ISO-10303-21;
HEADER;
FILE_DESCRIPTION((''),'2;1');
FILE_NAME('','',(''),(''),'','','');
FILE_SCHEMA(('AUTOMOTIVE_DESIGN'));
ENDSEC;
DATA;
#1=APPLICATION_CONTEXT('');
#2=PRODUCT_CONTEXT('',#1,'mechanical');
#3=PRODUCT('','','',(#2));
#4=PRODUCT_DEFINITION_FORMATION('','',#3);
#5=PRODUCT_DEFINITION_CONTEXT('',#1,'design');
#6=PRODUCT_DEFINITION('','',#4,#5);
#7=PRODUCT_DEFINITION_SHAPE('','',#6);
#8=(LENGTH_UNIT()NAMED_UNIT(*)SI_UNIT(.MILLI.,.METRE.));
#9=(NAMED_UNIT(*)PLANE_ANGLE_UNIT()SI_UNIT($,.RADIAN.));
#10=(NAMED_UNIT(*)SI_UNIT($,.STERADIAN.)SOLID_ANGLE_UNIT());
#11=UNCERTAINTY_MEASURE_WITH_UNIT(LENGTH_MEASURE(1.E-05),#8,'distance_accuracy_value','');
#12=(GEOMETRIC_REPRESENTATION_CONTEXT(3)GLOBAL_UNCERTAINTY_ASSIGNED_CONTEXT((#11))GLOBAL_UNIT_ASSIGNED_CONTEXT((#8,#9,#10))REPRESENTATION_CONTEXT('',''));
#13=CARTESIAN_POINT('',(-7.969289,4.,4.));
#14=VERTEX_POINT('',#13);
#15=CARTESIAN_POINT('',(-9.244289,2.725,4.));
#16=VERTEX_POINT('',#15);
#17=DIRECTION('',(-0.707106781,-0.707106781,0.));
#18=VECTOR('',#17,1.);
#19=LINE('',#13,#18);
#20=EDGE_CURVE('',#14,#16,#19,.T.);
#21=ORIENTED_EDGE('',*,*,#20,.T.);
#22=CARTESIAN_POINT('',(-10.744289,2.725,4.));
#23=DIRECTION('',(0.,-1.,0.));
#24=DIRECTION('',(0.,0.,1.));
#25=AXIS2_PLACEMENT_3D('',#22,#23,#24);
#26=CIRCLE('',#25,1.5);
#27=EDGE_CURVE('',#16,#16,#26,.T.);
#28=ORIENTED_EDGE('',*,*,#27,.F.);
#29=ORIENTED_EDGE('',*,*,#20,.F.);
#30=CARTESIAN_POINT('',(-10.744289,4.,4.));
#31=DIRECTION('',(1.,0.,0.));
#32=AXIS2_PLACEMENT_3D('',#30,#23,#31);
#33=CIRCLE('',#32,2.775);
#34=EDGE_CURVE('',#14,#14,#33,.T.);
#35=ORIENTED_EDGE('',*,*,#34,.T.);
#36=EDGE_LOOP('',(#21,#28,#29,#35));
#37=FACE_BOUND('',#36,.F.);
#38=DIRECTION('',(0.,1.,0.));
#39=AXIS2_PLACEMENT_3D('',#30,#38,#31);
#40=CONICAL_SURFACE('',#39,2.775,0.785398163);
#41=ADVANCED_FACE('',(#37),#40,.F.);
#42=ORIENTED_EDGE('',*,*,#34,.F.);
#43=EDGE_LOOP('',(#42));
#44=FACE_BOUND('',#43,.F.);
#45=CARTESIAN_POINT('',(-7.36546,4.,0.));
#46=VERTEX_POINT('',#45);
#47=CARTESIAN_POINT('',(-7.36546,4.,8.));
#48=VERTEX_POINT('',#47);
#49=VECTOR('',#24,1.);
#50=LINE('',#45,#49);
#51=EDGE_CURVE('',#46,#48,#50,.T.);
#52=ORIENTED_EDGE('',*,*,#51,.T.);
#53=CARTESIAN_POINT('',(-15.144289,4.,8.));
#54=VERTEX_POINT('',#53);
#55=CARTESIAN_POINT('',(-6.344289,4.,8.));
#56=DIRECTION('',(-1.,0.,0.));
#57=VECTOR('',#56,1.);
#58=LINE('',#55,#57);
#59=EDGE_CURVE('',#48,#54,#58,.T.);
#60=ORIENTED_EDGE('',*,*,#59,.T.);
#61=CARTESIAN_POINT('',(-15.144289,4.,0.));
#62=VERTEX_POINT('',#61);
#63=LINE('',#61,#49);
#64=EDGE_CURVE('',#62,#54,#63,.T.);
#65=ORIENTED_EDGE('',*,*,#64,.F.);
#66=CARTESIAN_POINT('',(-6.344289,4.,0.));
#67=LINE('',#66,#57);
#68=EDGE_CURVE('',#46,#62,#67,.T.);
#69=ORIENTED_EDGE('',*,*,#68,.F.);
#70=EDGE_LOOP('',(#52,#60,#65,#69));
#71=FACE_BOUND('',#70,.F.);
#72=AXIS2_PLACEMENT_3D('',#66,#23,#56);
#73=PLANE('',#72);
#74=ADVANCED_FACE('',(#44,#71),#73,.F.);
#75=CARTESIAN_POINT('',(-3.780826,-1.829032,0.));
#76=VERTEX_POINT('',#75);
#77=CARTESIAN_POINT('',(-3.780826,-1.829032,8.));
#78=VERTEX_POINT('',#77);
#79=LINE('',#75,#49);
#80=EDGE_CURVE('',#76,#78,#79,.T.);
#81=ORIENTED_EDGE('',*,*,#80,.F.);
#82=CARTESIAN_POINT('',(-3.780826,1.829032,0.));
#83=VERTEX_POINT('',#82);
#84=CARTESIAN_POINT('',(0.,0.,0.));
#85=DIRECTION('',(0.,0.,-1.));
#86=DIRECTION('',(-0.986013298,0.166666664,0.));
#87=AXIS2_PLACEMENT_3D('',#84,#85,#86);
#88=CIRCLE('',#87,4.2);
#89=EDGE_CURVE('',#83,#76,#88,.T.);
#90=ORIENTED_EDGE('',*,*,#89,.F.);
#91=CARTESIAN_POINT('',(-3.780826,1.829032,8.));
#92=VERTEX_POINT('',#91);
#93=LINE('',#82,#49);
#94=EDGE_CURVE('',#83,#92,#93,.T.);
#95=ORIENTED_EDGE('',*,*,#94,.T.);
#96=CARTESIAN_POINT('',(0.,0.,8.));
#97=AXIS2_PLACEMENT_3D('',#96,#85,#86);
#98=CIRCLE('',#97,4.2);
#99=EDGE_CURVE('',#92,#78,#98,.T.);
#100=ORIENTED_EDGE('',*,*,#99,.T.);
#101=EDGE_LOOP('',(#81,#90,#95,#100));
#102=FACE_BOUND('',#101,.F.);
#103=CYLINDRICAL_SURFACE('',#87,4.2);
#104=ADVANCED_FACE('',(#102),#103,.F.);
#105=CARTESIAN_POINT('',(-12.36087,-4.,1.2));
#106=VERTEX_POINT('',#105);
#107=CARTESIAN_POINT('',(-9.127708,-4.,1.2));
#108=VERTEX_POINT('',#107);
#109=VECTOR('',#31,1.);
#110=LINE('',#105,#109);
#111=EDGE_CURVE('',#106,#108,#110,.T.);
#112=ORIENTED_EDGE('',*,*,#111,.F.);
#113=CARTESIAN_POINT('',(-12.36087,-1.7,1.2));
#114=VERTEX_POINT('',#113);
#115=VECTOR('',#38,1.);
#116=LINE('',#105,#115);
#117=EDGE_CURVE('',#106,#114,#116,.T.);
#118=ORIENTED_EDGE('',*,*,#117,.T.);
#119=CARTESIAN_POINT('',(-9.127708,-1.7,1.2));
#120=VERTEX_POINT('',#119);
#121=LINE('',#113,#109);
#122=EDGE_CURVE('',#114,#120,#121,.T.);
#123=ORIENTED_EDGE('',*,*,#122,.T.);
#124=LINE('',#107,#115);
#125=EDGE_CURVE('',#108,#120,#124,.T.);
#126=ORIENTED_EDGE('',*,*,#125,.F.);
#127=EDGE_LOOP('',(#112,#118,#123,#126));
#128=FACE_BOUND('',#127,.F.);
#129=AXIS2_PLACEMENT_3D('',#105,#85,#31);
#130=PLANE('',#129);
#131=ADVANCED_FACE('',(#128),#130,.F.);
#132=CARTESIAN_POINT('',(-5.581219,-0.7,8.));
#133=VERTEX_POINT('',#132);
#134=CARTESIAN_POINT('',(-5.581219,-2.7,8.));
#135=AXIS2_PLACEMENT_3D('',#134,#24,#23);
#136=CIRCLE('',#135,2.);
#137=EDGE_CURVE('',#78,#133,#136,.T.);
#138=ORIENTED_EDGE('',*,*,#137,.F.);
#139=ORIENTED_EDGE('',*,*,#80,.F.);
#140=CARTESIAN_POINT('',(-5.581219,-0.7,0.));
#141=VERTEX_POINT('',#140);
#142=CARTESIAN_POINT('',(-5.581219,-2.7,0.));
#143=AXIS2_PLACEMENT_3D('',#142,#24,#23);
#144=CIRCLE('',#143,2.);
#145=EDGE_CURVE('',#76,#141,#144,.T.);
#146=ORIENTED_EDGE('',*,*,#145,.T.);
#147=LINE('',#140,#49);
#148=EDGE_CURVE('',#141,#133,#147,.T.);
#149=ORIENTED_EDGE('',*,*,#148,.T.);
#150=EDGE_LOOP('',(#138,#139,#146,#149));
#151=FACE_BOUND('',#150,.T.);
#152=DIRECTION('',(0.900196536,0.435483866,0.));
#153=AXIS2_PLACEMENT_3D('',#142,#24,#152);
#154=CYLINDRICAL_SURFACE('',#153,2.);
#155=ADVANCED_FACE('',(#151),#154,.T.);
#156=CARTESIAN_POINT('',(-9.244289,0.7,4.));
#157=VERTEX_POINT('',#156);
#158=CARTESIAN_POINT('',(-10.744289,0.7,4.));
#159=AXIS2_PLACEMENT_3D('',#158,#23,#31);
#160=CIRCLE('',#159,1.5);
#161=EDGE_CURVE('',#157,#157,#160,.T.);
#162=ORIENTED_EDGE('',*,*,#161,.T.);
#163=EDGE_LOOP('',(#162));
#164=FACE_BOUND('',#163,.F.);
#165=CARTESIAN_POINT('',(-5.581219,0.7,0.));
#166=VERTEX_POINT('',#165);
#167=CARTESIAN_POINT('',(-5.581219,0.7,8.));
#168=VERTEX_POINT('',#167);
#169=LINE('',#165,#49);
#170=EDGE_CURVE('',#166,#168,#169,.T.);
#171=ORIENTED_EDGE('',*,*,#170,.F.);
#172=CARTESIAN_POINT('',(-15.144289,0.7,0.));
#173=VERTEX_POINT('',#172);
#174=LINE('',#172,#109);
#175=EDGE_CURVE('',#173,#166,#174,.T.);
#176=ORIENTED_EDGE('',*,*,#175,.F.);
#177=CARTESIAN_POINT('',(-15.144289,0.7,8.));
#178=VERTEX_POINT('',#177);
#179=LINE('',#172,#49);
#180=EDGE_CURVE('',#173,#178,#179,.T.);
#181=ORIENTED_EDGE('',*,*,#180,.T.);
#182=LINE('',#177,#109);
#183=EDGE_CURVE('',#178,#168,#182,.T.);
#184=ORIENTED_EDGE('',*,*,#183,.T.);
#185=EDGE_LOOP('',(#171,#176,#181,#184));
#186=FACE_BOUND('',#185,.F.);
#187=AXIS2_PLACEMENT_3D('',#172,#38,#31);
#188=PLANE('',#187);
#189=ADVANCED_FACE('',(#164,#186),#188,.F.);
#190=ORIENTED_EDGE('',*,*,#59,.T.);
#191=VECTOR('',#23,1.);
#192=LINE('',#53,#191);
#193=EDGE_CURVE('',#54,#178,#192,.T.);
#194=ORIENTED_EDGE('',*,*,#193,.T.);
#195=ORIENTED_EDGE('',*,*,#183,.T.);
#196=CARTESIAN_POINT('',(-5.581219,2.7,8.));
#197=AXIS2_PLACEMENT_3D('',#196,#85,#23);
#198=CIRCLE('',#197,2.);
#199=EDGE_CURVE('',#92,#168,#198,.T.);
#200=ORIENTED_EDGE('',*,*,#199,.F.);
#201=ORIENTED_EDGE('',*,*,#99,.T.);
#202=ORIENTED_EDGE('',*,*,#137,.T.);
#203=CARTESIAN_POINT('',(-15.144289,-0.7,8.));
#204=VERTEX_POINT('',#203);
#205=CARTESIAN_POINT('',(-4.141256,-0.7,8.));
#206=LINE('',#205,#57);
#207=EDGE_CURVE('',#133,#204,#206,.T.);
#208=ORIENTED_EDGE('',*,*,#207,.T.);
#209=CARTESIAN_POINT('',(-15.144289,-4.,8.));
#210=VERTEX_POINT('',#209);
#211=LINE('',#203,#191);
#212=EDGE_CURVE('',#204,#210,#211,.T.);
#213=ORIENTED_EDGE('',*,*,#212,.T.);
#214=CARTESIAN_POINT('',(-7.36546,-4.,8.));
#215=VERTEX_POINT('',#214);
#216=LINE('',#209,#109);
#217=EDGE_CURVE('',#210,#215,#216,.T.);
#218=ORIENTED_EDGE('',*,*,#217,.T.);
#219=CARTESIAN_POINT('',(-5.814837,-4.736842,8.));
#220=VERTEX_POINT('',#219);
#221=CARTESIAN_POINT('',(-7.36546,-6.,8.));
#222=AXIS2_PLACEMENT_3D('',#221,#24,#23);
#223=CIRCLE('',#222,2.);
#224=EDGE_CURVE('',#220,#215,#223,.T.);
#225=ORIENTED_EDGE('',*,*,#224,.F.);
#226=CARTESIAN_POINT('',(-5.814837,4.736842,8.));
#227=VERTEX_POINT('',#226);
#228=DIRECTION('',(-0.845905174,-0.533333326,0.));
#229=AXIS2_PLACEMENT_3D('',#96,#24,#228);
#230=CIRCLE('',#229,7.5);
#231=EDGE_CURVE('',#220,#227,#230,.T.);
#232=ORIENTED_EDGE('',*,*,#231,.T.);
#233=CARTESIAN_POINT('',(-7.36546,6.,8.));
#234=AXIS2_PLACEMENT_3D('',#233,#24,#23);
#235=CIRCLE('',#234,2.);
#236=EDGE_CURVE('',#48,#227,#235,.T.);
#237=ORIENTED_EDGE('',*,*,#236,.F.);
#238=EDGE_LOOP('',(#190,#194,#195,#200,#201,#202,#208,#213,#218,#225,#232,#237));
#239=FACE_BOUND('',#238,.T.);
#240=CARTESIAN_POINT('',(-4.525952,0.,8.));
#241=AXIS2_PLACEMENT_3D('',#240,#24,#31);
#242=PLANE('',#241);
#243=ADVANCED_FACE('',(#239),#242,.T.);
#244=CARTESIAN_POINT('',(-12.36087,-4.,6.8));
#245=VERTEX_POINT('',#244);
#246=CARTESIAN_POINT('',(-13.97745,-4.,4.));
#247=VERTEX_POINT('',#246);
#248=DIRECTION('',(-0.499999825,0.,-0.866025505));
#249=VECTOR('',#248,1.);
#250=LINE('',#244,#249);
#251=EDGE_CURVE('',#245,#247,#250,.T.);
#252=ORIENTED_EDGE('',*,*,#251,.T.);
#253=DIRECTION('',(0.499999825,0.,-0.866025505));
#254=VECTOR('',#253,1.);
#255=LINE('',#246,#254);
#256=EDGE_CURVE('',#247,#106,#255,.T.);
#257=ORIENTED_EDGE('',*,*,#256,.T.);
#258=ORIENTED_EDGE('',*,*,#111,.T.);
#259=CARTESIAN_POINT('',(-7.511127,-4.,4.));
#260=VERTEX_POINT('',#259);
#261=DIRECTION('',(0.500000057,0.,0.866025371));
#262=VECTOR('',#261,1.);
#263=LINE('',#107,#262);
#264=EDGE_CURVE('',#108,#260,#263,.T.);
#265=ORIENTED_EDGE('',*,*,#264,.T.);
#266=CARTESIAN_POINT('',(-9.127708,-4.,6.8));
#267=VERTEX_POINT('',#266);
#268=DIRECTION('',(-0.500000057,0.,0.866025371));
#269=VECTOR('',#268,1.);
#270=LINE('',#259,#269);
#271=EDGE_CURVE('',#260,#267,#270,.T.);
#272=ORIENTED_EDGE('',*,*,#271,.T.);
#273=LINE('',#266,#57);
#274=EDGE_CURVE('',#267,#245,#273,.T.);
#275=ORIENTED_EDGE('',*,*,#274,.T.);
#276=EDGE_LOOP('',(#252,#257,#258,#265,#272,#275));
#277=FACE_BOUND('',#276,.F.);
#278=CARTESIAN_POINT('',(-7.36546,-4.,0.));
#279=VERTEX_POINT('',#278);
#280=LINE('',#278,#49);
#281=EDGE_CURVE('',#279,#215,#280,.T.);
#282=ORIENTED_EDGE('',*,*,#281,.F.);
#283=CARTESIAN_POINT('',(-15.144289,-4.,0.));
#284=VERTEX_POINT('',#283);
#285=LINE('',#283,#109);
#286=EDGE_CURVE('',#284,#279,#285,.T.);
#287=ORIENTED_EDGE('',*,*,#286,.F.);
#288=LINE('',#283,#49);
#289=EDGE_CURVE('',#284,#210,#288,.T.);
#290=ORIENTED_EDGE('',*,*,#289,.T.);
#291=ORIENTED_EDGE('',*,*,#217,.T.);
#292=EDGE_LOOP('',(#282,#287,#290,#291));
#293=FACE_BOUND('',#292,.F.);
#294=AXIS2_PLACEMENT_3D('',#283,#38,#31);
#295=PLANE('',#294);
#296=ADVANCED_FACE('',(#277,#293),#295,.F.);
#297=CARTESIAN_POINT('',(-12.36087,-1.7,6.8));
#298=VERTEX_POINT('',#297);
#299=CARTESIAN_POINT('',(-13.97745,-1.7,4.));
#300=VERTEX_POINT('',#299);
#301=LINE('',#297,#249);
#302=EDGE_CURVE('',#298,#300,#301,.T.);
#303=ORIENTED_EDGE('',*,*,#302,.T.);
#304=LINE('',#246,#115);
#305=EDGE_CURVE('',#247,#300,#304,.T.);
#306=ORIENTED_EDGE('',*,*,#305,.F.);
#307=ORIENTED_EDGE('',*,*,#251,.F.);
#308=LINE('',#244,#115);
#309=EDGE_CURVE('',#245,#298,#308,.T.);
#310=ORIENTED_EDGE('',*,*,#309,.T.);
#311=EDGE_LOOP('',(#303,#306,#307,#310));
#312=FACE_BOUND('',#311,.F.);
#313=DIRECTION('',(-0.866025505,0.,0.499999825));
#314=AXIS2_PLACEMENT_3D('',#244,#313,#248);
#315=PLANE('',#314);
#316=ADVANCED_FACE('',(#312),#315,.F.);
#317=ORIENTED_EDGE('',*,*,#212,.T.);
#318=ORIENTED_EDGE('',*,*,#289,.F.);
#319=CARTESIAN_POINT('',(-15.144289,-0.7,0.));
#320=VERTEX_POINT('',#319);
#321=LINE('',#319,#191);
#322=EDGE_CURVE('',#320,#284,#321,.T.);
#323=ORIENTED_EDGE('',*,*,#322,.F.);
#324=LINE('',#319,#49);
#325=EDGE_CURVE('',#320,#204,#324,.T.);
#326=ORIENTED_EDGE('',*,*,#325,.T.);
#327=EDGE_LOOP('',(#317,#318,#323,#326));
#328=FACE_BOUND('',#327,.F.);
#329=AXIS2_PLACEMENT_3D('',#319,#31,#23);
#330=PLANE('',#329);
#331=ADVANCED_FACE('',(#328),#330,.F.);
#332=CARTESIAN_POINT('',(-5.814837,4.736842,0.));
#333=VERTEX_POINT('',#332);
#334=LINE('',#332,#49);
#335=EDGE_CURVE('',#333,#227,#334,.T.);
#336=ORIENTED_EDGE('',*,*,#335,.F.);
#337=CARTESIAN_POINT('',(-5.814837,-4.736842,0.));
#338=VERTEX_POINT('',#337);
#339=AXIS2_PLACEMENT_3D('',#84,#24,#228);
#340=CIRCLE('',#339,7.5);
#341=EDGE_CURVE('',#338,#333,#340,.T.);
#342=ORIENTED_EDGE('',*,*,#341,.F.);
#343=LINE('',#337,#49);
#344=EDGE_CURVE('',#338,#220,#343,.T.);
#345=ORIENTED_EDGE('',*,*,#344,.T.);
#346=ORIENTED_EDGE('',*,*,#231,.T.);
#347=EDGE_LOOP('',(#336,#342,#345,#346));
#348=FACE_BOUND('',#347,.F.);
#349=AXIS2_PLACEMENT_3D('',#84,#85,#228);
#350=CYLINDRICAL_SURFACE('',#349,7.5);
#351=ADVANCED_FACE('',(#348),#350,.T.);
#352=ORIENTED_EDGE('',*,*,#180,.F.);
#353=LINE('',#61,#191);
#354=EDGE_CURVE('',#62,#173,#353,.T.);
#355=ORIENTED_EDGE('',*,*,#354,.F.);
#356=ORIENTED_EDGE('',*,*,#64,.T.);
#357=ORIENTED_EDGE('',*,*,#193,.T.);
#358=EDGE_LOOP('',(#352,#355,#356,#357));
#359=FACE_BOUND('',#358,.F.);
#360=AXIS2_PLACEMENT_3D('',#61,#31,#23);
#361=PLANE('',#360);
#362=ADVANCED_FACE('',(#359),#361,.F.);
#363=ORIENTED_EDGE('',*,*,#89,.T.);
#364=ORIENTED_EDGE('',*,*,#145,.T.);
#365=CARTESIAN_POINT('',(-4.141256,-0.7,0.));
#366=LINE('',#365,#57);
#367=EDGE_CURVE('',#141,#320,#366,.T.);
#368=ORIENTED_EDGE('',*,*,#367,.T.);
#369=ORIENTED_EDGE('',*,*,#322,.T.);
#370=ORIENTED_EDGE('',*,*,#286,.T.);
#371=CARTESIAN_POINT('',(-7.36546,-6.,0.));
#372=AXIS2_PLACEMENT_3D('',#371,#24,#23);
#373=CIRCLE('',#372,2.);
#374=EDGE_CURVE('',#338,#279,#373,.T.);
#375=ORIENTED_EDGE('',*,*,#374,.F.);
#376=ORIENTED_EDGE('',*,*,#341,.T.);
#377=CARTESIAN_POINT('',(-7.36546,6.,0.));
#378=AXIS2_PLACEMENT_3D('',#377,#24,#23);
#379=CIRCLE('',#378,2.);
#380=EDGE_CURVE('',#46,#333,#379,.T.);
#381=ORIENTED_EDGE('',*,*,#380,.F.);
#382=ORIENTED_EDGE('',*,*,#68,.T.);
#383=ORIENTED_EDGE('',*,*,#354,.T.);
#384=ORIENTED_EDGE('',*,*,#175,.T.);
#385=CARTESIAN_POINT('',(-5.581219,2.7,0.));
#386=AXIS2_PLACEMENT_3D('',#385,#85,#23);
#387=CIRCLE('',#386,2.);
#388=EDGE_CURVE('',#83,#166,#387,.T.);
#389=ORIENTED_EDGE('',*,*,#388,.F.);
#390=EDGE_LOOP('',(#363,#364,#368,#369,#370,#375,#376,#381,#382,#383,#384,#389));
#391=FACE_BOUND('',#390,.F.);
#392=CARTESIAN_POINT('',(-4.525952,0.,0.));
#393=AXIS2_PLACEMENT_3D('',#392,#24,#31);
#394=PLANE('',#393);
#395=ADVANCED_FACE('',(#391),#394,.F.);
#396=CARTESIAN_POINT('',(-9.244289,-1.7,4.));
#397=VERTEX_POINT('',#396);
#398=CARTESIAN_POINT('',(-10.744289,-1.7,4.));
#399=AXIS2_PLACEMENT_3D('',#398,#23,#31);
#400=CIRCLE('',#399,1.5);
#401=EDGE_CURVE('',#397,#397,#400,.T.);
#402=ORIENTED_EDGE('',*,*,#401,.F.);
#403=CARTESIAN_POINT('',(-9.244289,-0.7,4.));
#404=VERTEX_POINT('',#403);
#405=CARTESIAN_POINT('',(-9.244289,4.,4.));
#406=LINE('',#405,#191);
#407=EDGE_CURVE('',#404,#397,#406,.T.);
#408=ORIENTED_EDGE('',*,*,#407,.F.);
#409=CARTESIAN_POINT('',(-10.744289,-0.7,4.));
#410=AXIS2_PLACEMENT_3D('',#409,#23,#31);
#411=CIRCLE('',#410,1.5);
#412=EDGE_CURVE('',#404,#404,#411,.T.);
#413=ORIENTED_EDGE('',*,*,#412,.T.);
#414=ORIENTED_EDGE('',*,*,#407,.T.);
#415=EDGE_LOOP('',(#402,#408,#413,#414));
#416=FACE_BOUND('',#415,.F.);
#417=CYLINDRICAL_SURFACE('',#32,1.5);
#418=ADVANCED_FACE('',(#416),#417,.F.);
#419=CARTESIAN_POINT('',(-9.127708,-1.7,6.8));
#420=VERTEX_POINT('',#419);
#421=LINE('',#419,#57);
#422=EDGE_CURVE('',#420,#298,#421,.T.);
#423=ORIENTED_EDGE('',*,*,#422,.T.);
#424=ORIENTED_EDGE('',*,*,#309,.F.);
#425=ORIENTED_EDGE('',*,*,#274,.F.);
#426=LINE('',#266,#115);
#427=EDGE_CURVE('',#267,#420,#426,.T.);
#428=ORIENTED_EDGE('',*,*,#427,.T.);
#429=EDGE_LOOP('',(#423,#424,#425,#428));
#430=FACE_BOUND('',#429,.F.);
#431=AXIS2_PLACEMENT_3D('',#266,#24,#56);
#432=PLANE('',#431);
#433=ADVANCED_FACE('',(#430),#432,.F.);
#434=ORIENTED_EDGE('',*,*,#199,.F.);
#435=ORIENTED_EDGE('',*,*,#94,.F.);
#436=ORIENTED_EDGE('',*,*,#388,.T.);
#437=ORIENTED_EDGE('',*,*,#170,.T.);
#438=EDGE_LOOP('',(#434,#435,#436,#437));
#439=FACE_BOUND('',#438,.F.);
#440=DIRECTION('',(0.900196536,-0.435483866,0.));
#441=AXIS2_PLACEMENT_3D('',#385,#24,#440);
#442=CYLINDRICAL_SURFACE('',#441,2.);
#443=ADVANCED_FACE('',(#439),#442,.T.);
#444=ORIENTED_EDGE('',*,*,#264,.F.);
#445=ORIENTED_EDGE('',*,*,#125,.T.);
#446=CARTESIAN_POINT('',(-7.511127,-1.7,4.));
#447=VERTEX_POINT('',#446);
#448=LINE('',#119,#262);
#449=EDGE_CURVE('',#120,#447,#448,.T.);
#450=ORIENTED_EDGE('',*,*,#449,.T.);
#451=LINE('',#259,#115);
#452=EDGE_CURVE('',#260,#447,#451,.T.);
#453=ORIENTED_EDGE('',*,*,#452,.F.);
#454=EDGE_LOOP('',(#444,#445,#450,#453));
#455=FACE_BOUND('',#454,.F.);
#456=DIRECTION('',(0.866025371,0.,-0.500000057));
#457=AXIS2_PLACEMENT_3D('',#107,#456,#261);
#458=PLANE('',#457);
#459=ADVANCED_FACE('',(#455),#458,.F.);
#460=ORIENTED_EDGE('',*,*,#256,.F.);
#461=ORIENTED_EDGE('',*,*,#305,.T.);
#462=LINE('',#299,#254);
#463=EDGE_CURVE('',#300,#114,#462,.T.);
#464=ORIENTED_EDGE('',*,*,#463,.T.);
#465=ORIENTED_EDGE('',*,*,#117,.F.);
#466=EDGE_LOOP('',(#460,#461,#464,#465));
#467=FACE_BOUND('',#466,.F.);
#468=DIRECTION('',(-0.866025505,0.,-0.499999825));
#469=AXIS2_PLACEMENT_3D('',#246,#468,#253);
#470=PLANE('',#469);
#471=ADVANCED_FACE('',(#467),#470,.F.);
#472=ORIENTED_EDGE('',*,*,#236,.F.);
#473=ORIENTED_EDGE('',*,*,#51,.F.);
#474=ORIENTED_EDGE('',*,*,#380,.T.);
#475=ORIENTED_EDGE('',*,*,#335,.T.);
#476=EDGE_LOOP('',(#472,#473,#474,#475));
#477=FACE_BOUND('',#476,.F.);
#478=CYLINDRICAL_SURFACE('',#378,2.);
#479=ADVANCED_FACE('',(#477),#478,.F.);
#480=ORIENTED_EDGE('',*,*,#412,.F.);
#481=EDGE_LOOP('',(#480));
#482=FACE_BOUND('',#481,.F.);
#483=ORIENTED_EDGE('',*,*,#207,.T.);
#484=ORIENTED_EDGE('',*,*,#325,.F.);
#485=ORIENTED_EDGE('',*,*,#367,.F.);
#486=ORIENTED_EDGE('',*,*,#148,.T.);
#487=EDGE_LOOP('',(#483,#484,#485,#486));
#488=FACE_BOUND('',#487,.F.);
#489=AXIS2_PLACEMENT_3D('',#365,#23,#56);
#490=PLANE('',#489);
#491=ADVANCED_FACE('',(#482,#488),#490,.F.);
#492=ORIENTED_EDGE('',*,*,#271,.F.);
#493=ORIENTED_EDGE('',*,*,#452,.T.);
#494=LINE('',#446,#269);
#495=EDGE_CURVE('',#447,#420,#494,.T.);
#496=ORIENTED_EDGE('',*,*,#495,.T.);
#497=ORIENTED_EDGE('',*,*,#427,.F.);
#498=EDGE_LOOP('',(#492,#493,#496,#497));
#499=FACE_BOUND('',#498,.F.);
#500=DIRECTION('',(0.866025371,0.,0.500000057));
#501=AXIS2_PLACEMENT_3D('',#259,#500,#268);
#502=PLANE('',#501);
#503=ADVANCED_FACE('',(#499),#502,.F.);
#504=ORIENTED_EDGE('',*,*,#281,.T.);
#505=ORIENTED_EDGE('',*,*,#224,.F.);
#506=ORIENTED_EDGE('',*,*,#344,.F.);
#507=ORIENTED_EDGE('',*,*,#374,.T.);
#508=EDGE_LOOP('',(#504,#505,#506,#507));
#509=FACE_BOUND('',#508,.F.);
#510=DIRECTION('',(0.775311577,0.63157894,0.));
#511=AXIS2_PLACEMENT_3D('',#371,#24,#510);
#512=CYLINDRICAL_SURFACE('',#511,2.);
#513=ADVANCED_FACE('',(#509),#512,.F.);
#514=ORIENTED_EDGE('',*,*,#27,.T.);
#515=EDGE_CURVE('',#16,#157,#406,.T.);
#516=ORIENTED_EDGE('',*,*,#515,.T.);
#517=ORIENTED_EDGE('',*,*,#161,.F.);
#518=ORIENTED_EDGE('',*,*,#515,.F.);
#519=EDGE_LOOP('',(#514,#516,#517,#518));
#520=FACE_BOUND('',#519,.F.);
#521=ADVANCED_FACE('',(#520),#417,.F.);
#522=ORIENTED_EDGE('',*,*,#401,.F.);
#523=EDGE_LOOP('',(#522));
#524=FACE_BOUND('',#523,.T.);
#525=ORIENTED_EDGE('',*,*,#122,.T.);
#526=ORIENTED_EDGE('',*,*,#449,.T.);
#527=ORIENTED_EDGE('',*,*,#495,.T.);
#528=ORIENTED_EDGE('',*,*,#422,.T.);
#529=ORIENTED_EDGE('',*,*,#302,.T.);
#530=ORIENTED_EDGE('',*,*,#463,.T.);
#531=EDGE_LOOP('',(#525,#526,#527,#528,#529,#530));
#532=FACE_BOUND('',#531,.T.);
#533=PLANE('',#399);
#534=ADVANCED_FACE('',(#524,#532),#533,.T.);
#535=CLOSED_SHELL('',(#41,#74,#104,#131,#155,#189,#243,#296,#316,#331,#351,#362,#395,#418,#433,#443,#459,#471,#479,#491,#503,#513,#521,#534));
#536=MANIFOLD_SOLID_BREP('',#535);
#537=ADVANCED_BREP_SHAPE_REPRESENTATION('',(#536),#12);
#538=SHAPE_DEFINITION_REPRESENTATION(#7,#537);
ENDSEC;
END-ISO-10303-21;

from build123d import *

# Parameters (mm, degrees)
F1_DEPTH       = 8
F3_DEPTH       = 2.3
F5_D           = 3
F5_CSINK_D     = 5.55
F5_CSINK_ANGLE = 90
F6_R           = 2


with BuildPart() as f1:
    # F0 (on Top) → F1 (new body)
    with BuildSketch(Plane.XY):
        with BuildLine():
            ThreePointArc((-4.141256, 0.7), (4.2, 0), (-4.141256, -0.7))
            Line((-4.141256, -0.7), (-7.467262, -0.7))
            Line((-7.467262, -0.7), (-15.144289, -0.7))
            Line((-15.144289, -0.7), (-15.144289, -4))
            Line((-15.144289, -4), (-6.344289, -4))
            ThreePointArc((-6.344289, -4), (7.5, 0), (-6.344289, 4))
            Line((-6.344289, 4), (-15.144289, 4))
            Line((-15.144289, 4), (-15.144289, 0.7))
            Line((-15.144289, 0.7), (-7.467262, 0.7))
            Line((-7.467262, 0.7), (-4.141256, 0.7))
        make_face()
    extrude(amount=F1_DEPTH)

    # F2 (on face) → F3 (cut)
    with BuildSketch(Plane.XZ.offset(4)):
        Polygon((-12.36087, 1.2), (-9.127708, 1.2), (-7.511127, 4), (-9.127708, 6.8), (-12.36087, 6.8), (-13.97745, 4), align=None)
    extrude(amount=-F3_DEPTH, mode=Mode.SUBTRACT)

    # F5 (through all)
    with Locations(Plane(origin=(0, 4, 0), x_dir=(-1, 0, 0), z_dir=(0, 1, 0))):
        with Locations((10.744289, 4)):
            CounterSinkHole(F5_D / 2, F5_CSINK_D / 2, counter_sink_angle=F5_CSINK_ANGLE)

    # F6
    f6_edges = [f1.edges().sort_by_distance(p)[0] for p in [
        (-4.141256, -0.7, 4),
        (-4.141256, 0.7, 4),
        (-6.344289, -4, 4),
        (-6.344289, 4, 4),
    ]]
    fillet(f6_edges, radius=F6_R)


solid = f1.part
